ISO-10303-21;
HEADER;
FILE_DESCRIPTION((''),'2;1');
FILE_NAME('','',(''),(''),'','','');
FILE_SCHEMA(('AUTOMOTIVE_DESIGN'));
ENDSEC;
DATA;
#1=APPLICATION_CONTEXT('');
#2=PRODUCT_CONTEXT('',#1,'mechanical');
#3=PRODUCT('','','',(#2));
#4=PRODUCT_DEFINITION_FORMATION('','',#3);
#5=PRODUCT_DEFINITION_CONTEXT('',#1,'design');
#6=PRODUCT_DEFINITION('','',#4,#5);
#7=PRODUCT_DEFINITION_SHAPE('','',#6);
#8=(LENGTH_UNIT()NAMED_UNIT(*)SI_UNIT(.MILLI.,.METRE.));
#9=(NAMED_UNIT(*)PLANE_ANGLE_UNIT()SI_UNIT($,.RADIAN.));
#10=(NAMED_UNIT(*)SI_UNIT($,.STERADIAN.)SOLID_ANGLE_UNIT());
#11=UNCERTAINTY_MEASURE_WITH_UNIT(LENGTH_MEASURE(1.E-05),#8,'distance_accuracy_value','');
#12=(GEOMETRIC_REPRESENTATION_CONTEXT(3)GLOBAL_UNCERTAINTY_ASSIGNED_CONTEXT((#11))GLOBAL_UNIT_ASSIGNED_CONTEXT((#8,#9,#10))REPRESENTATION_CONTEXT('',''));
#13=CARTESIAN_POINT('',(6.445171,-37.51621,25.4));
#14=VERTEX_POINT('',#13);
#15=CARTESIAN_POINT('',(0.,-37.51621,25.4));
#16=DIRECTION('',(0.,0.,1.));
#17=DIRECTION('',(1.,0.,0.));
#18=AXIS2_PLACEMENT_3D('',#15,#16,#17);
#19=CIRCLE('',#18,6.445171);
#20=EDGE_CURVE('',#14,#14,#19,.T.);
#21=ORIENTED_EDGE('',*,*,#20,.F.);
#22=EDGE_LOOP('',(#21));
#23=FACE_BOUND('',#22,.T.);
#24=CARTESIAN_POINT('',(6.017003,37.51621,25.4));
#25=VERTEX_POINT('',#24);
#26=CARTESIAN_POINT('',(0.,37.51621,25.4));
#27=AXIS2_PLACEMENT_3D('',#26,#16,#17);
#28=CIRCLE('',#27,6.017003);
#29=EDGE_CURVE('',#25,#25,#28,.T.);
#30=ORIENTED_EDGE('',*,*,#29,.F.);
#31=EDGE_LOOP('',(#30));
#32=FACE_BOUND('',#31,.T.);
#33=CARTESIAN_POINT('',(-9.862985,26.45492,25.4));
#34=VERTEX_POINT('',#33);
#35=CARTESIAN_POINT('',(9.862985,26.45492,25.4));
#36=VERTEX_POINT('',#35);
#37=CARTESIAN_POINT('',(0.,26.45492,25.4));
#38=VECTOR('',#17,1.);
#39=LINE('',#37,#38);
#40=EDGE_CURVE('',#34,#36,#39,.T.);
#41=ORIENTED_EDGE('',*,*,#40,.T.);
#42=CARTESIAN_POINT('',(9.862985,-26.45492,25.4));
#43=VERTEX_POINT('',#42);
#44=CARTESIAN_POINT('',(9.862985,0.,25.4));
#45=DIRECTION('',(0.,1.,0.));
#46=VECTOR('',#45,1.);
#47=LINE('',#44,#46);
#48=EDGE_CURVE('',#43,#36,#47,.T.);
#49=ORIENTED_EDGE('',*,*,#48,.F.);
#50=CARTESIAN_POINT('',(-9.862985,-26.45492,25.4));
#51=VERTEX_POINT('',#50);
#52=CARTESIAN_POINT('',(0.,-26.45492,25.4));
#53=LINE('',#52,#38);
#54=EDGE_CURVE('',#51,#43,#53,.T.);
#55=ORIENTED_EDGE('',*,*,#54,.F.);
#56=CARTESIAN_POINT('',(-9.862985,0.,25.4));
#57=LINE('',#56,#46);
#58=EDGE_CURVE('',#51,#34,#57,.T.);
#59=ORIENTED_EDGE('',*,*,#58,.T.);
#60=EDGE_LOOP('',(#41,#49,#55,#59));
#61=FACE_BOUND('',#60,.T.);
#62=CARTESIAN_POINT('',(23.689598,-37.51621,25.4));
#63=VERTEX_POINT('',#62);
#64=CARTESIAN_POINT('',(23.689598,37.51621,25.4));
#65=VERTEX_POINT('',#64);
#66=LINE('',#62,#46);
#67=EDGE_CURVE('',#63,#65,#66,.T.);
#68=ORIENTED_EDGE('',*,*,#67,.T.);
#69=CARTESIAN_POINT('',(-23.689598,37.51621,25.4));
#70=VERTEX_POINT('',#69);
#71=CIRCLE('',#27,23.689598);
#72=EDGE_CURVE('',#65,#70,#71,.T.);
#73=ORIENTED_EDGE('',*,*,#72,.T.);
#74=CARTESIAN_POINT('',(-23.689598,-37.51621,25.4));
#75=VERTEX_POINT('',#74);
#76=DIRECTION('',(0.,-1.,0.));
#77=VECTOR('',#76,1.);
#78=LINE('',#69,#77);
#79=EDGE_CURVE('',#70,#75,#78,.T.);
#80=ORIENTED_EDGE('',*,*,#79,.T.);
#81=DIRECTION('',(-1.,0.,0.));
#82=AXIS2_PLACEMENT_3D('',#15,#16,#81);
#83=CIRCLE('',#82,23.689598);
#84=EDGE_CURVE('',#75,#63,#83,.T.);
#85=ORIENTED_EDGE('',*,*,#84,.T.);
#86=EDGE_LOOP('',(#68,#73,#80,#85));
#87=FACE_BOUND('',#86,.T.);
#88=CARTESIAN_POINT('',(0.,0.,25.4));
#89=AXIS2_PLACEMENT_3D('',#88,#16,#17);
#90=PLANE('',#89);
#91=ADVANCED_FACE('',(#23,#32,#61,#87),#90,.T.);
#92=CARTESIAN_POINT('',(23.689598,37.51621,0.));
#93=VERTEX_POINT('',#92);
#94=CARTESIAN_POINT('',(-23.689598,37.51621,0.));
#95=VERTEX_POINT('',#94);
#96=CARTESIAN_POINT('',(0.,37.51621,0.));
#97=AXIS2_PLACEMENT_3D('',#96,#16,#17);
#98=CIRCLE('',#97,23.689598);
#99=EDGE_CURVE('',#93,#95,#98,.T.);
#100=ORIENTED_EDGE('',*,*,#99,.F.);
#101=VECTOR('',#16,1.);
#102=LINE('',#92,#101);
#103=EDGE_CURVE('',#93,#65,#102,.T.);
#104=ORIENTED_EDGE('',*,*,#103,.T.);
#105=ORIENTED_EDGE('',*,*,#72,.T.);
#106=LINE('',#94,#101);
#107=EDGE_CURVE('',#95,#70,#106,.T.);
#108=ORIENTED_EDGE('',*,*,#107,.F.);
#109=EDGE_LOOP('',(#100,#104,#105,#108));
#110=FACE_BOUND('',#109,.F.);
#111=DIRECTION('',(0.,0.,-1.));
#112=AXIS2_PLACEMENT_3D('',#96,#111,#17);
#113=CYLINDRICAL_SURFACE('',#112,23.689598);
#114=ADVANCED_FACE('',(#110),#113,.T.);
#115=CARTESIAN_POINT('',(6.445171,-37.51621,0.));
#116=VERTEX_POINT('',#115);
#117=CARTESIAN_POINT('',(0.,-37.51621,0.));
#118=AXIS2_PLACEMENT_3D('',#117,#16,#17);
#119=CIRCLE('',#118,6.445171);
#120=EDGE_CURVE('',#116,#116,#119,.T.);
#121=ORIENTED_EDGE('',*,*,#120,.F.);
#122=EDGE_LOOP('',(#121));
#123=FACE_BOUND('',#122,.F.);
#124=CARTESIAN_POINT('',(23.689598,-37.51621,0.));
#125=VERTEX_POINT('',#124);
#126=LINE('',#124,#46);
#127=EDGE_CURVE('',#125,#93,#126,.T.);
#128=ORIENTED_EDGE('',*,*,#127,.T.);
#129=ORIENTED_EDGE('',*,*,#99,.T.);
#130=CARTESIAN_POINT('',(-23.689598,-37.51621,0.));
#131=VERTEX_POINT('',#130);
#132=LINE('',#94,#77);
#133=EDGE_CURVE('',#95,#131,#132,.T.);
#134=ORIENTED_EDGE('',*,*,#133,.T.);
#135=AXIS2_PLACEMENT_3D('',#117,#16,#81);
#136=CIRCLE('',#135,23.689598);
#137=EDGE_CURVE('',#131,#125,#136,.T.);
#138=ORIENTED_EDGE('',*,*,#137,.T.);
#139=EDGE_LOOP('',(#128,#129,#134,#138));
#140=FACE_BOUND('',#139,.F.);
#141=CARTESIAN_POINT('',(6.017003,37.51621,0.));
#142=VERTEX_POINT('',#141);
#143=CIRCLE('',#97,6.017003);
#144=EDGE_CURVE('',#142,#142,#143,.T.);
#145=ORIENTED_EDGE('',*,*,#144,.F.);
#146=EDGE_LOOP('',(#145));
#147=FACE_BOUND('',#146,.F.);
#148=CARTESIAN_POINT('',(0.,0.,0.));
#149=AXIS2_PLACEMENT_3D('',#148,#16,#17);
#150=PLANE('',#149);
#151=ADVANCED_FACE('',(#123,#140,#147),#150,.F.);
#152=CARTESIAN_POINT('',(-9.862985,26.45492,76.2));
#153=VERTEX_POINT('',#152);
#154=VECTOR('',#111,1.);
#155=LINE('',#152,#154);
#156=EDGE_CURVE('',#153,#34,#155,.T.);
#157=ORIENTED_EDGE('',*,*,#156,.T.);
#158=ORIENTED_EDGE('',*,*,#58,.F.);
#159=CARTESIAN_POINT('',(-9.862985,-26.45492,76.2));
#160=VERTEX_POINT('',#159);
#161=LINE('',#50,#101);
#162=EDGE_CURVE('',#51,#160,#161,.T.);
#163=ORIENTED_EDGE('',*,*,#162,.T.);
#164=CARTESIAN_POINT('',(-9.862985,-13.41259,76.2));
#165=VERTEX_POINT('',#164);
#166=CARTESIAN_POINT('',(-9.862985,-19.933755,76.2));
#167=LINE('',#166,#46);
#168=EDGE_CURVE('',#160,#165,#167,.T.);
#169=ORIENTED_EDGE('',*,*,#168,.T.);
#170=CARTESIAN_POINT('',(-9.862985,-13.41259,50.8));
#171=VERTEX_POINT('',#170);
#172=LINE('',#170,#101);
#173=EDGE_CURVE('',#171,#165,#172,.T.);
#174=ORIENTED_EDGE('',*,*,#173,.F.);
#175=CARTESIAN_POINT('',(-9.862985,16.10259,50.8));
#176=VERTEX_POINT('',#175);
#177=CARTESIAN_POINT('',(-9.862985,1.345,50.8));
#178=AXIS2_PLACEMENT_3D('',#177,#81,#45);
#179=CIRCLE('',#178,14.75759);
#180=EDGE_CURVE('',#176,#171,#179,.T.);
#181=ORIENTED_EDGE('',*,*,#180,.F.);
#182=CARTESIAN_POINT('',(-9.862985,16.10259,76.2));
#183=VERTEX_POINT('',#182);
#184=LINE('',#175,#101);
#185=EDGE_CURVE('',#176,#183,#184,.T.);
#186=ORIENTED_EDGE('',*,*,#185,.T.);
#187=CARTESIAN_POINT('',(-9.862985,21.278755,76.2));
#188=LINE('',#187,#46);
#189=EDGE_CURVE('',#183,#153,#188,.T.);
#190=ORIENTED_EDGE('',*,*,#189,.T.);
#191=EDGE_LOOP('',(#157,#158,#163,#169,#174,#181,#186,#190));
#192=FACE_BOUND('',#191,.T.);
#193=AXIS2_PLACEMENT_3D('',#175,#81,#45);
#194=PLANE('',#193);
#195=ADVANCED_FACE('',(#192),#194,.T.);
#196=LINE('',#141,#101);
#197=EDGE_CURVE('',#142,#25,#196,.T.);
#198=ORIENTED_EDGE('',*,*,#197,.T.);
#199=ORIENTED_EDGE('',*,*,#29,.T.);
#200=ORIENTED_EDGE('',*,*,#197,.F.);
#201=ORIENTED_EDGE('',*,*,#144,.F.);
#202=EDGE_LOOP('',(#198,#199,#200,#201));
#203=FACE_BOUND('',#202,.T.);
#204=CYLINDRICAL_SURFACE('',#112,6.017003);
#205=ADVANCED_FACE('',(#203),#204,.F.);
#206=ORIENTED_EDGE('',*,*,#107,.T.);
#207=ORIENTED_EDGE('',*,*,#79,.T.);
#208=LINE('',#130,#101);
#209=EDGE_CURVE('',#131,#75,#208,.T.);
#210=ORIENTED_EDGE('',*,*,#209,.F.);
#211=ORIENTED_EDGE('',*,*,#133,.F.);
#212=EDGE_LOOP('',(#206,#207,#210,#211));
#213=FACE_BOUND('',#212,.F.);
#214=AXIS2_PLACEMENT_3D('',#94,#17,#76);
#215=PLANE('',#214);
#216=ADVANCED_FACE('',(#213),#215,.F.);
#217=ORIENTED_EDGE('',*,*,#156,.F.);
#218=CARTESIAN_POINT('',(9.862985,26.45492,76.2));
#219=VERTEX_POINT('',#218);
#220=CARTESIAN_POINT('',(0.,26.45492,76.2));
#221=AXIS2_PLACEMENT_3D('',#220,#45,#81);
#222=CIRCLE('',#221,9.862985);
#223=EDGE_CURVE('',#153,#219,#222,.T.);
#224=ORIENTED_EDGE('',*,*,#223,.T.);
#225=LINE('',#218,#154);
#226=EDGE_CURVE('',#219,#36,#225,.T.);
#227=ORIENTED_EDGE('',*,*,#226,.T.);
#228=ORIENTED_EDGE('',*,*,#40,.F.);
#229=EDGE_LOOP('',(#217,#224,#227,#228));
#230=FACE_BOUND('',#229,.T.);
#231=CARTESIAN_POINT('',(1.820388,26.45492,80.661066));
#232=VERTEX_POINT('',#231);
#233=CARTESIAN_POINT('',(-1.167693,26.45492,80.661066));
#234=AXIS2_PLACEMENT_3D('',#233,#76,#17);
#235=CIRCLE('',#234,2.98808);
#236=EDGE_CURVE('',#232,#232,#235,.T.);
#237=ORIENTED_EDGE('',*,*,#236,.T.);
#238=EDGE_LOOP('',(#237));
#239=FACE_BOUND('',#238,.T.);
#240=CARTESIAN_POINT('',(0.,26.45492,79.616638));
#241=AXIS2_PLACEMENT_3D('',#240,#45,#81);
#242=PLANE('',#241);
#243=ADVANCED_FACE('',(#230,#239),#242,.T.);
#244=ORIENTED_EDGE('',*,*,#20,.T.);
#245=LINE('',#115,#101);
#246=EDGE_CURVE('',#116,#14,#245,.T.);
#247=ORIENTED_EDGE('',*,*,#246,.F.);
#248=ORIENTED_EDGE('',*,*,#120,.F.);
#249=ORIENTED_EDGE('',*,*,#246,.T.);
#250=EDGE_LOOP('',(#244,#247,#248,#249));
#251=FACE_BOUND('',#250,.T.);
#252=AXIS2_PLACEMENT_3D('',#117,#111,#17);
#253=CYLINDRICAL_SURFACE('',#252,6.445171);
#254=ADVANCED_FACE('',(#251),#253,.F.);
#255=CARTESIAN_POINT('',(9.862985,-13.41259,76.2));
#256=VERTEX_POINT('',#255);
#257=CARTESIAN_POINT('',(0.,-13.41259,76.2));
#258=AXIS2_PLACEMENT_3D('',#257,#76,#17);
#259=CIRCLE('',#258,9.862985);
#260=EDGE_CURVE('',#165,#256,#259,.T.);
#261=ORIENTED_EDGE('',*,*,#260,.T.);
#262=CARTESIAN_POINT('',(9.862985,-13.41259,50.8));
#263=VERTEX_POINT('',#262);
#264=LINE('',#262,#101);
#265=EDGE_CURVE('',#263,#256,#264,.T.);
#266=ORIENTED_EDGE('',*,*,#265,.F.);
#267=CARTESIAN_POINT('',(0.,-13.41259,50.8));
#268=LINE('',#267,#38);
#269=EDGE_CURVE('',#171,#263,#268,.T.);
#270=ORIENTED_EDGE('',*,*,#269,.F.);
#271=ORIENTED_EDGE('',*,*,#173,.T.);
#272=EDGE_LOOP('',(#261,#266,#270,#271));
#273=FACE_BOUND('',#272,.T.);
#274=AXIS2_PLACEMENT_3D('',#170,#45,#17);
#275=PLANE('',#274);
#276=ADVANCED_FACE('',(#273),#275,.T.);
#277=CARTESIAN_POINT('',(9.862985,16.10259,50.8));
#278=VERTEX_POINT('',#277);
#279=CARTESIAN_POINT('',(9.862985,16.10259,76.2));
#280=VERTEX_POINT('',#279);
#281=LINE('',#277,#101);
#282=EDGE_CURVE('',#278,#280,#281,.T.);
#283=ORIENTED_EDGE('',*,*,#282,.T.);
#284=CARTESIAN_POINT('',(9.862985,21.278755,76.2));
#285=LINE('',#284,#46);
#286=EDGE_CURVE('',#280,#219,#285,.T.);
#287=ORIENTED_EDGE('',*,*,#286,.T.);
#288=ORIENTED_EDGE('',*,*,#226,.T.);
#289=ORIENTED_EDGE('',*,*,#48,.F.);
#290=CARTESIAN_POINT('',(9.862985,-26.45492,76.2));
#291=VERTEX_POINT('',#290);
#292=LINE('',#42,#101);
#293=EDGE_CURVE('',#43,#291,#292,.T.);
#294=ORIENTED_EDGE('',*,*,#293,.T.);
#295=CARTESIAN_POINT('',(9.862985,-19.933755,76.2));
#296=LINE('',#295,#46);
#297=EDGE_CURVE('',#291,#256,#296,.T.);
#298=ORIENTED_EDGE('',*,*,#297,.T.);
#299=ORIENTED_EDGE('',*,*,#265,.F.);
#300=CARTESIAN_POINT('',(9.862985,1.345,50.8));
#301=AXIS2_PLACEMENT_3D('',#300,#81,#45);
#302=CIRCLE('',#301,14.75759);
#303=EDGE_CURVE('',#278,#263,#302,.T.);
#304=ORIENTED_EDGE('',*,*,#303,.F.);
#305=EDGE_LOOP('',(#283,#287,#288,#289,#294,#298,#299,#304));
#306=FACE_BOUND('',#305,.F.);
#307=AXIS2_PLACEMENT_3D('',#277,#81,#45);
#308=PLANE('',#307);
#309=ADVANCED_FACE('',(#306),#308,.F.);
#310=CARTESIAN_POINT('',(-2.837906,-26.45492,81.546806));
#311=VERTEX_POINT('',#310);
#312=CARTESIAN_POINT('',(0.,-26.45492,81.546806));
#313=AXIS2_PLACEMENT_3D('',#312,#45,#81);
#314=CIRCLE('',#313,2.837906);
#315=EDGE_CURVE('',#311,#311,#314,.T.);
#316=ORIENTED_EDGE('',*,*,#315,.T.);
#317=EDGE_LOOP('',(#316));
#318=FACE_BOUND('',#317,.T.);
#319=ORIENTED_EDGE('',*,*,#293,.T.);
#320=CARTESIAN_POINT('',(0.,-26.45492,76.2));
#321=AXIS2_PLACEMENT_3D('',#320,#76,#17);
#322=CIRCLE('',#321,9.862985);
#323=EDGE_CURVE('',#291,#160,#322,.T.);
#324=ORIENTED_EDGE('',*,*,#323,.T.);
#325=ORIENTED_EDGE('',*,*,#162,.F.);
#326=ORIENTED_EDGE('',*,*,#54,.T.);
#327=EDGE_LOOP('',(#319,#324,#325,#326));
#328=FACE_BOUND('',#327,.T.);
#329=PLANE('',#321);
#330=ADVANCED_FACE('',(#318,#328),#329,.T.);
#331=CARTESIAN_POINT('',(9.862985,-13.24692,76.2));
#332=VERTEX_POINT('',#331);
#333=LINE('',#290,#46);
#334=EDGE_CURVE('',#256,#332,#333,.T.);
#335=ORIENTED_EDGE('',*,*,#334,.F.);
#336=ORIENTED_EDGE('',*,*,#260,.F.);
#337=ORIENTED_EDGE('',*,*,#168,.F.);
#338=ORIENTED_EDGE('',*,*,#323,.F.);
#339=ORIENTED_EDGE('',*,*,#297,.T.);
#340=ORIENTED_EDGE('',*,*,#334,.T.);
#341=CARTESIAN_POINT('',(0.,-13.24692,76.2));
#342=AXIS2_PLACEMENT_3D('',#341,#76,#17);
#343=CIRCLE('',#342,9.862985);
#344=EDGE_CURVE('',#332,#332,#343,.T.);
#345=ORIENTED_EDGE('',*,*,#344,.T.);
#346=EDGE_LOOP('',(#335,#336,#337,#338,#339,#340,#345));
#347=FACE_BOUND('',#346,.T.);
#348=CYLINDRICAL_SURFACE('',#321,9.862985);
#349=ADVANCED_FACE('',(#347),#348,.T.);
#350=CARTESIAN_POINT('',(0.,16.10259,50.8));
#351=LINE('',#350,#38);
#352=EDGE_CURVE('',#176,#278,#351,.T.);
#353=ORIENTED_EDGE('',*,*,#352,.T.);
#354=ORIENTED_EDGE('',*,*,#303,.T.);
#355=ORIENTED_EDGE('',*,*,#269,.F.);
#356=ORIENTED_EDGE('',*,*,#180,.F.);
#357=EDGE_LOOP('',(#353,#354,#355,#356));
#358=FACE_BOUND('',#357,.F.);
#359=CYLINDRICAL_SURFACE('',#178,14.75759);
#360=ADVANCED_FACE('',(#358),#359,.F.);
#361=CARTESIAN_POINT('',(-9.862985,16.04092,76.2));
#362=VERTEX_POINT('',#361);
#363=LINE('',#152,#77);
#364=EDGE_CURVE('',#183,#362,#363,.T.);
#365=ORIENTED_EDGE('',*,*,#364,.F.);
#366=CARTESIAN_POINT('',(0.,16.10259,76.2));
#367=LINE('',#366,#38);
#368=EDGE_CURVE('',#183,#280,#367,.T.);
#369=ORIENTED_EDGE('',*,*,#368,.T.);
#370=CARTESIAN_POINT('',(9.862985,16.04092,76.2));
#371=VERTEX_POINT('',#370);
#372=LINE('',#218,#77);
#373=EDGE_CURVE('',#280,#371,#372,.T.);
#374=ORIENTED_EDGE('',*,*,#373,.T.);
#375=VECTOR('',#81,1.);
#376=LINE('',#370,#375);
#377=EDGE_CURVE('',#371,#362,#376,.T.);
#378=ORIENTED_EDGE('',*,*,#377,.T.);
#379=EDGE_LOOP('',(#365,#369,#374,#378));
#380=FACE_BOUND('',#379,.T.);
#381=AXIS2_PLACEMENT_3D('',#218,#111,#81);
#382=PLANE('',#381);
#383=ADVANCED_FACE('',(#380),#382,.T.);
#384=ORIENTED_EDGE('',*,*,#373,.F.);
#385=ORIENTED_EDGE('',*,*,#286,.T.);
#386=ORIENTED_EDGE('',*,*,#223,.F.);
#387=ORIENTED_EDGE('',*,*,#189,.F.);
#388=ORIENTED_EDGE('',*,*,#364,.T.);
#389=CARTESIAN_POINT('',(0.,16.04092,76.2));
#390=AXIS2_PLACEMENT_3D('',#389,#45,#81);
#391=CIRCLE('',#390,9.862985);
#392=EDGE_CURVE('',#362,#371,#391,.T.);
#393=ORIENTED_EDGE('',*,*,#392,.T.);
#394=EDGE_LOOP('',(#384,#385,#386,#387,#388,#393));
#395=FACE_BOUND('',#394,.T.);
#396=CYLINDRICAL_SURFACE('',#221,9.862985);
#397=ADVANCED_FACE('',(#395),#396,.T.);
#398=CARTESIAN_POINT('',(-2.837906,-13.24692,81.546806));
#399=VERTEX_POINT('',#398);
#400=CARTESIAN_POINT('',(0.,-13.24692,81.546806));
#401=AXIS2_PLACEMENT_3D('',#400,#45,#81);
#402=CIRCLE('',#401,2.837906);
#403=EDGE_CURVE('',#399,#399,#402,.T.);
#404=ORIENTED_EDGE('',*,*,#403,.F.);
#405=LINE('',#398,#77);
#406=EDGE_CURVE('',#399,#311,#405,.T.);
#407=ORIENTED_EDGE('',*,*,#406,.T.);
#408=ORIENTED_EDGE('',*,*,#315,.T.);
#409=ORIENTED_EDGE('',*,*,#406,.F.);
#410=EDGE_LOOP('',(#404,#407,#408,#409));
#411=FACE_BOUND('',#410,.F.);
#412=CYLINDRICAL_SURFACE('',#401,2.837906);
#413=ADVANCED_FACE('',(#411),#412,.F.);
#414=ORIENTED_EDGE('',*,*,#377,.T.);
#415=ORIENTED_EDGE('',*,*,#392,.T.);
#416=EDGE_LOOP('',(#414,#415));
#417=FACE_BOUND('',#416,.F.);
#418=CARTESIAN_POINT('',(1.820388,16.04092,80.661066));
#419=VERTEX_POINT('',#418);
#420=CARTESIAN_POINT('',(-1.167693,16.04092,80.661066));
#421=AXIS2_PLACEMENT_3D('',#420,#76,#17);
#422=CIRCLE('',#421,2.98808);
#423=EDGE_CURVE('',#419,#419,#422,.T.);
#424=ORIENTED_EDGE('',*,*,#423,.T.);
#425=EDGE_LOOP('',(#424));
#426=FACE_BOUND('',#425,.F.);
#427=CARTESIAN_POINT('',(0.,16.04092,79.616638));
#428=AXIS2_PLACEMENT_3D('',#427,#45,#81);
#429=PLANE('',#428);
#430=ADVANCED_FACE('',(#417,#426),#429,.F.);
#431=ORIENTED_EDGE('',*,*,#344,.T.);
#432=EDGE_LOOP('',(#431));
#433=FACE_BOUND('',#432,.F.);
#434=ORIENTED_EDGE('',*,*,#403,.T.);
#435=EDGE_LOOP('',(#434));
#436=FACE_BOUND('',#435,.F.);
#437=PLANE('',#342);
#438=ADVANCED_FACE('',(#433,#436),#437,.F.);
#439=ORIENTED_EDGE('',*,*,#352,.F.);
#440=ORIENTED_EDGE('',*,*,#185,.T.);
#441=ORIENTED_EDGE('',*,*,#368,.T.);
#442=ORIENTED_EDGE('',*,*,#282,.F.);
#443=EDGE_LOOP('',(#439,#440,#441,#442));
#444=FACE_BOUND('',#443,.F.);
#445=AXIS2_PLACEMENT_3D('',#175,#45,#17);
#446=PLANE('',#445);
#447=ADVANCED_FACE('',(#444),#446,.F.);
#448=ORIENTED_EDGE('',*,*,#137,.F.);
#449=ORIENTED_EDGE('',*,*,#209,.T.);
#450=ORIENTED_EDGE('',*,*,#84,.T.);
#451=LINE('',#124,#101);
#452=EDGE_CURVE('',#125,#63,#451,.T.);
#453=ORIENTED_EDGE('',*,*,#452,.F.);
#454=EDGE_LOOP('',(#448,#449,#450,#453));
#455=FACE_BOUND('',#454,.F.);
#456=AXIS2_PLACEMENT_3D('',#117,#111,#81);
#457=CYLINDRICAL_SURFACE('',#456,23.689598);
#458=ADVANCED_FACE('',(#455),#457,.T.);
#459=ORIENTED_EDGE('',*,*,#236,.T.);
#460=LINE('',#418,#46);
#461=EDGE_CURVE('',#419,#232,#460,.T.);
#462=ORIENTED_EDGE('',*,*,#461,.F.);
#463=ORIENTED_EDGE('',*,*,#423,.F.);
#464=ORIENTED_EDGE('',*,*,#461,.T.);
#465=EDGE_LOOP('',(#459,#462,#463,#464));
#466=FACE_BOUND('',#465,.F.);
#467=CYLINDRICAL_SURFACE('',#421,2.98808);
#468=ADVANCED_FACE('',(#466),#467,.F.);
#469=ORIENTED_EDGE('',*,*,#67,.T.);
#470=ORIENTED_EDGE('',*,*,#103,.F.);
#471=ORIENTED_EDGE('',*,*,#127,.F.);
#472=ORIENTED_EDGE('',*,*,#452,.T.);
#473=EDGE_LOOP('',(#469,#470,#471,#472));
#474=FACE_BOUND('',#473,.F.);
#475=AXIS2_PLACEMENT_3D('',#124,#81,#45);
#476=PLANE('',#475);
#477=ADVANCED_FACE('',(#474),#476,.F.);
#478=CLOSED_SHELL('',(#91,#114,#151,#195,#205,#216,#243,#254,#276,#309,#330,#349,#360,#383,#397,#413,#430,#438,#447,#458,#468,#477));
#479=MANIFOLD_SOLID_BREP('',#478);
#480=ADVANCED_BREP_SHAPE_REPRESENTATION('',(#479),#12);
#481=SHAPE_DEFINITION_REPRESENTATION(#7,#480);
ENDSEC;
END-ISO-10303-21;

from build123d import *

# Parameters (mm, degrees)
F0_R      = 6.445170834
F0_R_2    = 6.017003406
F1_DEPTH  = 25.4
F2_W      = 19.7259690613
F2_H      = 52.9098398983
F3_DEPTH  = 25.4
F5_W      = 19.7259690613
F5_H      = 13.0423298106
F6_DEPTH  = 25.4
F4_W      = 19.7259690613
F4_H      = 10.3523302823
F7_DEPTH  = 25.4
F8_R      = 9.8629845306
F9_DEPTH  = 13.208
F12_DEPTH = 10.414
F13_R     = 2.9880803611
F14_DEPTH = 25.4
F15_R     = 2.8379061559
F16_DEPTH = 25.4
F18_DEPTH = 50.8


with BuildPart() as f1:
    # F0 (on Top) → F1 (new body)
    with BuildSketch(Plane.XY):
        with BuildLine():
            Line((23.6895978451, -37.5162102282), (23.6895978451, 37.5162102282))
            ThreePointArc((23.6895978451, 37.5162102282), (0, 61.2058080733), (-23.6895978451, 37.5162102282))
            Line((-23.6895978451, 37.5162102282), (-23.6895978451, -37.5162102282))
            ThreePointArc((-23.6895978451, -37.5162102282), (0, -61.2058080733), (23.6895978451, -37.5162102282))
        make_face()
        with Locations((0, -37.5162102282)):
            Circle(F0_R, mode=Mode.SUBTRACT)
        with Locations((0, 37.5162102282)):
            Circle(F0_R_2, mode=Mode.SUBTRACT)
    extrude(amount=F1_DEPTH)

    # F2 (on face) → F3 (join)
    with BuildSketch(Plane.XY.offset(25.4)):
        Rectangle(F2_W, F2_H)
    extrude(amount=F3_DEPTH)

    # F5 (on face) → F6 (join)
    with BuildSketch(Plane.XY.offset(50.8)):
        with Locations((0, -19.9337550439)):
            Rectangle(F5_W, F5_H)
    extrude(amount=F6_DEPTH)

    # F4 (on face) → F7 (join)
    with BuildSketch(Plane.XY.offset(50.8)):
        with Locations((0, 21.278754808)):
            Rectangle(F4_W, F4_H)
    extrude(amount=F7_DEPTH)

    # F8 (on face) → F9 (join)
    with BuildSketch(Plane.XZ.offset(26.4549199492)):
        with Locations((0, 76.2)):
            Circle(F8_R)
    extrude(amount=-F9_DEPTH)

    # F11 (on face) → F12 (join)
    with BuildSketch(Plane(origin=(0, 26.4549199492, 0), x_dir=(-1, 0, 0), z_dir=(0, 1, 0))):
        with BuildLine():
            Line((-9.8629845306, 76.2), (9.8629845306, 76.2))
            ThreePointArc((9.8629845306, 76.2), (0, 86.0629845306), (-9.8629845306, 76.2))
        make_face()
    extrude(amount=-F12_DEPTH)

    # F13 (on face) → F14 (cut)
    with BuildSketch(Plane.XZ.offset(-16.0409199492)):
        with Locations((-1.1676928261, 80.6610658765)):
            Circle(F13_R)
    extrude(amount=-F14_DEPTH, mode=Mode.SUBTRACT)

    # F15 (on face) → F16 (cut)
    with BuildSketch(Plane(origin=(0, -13.2469199492, 0), x_dir=(-1, 0, 0), z_dir=(0, 1, 0))):
        with Locations((0, 81.546805799)):
            Circle(F15_R)
    extrude(amount=-F16_DEPTH, mode=Mode.SUBTRACT)

    # F17 (on face) → F18 (cut)
    with BuildSketch(Plane(origin=(-9.8629845306, 0, 0), x_dir=(0, -1, 0), z_dir=(-1, 0, 0))):
        with BuildLine():
            ThreePointArc((-16.1025896668, 50.8), (-1.3449997641, 36.0424100973), (13.4125901386, 50.8))
            Line((13.4125901386, 50.8), (-16.1025896668, 50.8))
        make_face()
    extrude(amount=-F18_DEPTH, mode=Mode.SUBTRACT)


solid = f1.part
